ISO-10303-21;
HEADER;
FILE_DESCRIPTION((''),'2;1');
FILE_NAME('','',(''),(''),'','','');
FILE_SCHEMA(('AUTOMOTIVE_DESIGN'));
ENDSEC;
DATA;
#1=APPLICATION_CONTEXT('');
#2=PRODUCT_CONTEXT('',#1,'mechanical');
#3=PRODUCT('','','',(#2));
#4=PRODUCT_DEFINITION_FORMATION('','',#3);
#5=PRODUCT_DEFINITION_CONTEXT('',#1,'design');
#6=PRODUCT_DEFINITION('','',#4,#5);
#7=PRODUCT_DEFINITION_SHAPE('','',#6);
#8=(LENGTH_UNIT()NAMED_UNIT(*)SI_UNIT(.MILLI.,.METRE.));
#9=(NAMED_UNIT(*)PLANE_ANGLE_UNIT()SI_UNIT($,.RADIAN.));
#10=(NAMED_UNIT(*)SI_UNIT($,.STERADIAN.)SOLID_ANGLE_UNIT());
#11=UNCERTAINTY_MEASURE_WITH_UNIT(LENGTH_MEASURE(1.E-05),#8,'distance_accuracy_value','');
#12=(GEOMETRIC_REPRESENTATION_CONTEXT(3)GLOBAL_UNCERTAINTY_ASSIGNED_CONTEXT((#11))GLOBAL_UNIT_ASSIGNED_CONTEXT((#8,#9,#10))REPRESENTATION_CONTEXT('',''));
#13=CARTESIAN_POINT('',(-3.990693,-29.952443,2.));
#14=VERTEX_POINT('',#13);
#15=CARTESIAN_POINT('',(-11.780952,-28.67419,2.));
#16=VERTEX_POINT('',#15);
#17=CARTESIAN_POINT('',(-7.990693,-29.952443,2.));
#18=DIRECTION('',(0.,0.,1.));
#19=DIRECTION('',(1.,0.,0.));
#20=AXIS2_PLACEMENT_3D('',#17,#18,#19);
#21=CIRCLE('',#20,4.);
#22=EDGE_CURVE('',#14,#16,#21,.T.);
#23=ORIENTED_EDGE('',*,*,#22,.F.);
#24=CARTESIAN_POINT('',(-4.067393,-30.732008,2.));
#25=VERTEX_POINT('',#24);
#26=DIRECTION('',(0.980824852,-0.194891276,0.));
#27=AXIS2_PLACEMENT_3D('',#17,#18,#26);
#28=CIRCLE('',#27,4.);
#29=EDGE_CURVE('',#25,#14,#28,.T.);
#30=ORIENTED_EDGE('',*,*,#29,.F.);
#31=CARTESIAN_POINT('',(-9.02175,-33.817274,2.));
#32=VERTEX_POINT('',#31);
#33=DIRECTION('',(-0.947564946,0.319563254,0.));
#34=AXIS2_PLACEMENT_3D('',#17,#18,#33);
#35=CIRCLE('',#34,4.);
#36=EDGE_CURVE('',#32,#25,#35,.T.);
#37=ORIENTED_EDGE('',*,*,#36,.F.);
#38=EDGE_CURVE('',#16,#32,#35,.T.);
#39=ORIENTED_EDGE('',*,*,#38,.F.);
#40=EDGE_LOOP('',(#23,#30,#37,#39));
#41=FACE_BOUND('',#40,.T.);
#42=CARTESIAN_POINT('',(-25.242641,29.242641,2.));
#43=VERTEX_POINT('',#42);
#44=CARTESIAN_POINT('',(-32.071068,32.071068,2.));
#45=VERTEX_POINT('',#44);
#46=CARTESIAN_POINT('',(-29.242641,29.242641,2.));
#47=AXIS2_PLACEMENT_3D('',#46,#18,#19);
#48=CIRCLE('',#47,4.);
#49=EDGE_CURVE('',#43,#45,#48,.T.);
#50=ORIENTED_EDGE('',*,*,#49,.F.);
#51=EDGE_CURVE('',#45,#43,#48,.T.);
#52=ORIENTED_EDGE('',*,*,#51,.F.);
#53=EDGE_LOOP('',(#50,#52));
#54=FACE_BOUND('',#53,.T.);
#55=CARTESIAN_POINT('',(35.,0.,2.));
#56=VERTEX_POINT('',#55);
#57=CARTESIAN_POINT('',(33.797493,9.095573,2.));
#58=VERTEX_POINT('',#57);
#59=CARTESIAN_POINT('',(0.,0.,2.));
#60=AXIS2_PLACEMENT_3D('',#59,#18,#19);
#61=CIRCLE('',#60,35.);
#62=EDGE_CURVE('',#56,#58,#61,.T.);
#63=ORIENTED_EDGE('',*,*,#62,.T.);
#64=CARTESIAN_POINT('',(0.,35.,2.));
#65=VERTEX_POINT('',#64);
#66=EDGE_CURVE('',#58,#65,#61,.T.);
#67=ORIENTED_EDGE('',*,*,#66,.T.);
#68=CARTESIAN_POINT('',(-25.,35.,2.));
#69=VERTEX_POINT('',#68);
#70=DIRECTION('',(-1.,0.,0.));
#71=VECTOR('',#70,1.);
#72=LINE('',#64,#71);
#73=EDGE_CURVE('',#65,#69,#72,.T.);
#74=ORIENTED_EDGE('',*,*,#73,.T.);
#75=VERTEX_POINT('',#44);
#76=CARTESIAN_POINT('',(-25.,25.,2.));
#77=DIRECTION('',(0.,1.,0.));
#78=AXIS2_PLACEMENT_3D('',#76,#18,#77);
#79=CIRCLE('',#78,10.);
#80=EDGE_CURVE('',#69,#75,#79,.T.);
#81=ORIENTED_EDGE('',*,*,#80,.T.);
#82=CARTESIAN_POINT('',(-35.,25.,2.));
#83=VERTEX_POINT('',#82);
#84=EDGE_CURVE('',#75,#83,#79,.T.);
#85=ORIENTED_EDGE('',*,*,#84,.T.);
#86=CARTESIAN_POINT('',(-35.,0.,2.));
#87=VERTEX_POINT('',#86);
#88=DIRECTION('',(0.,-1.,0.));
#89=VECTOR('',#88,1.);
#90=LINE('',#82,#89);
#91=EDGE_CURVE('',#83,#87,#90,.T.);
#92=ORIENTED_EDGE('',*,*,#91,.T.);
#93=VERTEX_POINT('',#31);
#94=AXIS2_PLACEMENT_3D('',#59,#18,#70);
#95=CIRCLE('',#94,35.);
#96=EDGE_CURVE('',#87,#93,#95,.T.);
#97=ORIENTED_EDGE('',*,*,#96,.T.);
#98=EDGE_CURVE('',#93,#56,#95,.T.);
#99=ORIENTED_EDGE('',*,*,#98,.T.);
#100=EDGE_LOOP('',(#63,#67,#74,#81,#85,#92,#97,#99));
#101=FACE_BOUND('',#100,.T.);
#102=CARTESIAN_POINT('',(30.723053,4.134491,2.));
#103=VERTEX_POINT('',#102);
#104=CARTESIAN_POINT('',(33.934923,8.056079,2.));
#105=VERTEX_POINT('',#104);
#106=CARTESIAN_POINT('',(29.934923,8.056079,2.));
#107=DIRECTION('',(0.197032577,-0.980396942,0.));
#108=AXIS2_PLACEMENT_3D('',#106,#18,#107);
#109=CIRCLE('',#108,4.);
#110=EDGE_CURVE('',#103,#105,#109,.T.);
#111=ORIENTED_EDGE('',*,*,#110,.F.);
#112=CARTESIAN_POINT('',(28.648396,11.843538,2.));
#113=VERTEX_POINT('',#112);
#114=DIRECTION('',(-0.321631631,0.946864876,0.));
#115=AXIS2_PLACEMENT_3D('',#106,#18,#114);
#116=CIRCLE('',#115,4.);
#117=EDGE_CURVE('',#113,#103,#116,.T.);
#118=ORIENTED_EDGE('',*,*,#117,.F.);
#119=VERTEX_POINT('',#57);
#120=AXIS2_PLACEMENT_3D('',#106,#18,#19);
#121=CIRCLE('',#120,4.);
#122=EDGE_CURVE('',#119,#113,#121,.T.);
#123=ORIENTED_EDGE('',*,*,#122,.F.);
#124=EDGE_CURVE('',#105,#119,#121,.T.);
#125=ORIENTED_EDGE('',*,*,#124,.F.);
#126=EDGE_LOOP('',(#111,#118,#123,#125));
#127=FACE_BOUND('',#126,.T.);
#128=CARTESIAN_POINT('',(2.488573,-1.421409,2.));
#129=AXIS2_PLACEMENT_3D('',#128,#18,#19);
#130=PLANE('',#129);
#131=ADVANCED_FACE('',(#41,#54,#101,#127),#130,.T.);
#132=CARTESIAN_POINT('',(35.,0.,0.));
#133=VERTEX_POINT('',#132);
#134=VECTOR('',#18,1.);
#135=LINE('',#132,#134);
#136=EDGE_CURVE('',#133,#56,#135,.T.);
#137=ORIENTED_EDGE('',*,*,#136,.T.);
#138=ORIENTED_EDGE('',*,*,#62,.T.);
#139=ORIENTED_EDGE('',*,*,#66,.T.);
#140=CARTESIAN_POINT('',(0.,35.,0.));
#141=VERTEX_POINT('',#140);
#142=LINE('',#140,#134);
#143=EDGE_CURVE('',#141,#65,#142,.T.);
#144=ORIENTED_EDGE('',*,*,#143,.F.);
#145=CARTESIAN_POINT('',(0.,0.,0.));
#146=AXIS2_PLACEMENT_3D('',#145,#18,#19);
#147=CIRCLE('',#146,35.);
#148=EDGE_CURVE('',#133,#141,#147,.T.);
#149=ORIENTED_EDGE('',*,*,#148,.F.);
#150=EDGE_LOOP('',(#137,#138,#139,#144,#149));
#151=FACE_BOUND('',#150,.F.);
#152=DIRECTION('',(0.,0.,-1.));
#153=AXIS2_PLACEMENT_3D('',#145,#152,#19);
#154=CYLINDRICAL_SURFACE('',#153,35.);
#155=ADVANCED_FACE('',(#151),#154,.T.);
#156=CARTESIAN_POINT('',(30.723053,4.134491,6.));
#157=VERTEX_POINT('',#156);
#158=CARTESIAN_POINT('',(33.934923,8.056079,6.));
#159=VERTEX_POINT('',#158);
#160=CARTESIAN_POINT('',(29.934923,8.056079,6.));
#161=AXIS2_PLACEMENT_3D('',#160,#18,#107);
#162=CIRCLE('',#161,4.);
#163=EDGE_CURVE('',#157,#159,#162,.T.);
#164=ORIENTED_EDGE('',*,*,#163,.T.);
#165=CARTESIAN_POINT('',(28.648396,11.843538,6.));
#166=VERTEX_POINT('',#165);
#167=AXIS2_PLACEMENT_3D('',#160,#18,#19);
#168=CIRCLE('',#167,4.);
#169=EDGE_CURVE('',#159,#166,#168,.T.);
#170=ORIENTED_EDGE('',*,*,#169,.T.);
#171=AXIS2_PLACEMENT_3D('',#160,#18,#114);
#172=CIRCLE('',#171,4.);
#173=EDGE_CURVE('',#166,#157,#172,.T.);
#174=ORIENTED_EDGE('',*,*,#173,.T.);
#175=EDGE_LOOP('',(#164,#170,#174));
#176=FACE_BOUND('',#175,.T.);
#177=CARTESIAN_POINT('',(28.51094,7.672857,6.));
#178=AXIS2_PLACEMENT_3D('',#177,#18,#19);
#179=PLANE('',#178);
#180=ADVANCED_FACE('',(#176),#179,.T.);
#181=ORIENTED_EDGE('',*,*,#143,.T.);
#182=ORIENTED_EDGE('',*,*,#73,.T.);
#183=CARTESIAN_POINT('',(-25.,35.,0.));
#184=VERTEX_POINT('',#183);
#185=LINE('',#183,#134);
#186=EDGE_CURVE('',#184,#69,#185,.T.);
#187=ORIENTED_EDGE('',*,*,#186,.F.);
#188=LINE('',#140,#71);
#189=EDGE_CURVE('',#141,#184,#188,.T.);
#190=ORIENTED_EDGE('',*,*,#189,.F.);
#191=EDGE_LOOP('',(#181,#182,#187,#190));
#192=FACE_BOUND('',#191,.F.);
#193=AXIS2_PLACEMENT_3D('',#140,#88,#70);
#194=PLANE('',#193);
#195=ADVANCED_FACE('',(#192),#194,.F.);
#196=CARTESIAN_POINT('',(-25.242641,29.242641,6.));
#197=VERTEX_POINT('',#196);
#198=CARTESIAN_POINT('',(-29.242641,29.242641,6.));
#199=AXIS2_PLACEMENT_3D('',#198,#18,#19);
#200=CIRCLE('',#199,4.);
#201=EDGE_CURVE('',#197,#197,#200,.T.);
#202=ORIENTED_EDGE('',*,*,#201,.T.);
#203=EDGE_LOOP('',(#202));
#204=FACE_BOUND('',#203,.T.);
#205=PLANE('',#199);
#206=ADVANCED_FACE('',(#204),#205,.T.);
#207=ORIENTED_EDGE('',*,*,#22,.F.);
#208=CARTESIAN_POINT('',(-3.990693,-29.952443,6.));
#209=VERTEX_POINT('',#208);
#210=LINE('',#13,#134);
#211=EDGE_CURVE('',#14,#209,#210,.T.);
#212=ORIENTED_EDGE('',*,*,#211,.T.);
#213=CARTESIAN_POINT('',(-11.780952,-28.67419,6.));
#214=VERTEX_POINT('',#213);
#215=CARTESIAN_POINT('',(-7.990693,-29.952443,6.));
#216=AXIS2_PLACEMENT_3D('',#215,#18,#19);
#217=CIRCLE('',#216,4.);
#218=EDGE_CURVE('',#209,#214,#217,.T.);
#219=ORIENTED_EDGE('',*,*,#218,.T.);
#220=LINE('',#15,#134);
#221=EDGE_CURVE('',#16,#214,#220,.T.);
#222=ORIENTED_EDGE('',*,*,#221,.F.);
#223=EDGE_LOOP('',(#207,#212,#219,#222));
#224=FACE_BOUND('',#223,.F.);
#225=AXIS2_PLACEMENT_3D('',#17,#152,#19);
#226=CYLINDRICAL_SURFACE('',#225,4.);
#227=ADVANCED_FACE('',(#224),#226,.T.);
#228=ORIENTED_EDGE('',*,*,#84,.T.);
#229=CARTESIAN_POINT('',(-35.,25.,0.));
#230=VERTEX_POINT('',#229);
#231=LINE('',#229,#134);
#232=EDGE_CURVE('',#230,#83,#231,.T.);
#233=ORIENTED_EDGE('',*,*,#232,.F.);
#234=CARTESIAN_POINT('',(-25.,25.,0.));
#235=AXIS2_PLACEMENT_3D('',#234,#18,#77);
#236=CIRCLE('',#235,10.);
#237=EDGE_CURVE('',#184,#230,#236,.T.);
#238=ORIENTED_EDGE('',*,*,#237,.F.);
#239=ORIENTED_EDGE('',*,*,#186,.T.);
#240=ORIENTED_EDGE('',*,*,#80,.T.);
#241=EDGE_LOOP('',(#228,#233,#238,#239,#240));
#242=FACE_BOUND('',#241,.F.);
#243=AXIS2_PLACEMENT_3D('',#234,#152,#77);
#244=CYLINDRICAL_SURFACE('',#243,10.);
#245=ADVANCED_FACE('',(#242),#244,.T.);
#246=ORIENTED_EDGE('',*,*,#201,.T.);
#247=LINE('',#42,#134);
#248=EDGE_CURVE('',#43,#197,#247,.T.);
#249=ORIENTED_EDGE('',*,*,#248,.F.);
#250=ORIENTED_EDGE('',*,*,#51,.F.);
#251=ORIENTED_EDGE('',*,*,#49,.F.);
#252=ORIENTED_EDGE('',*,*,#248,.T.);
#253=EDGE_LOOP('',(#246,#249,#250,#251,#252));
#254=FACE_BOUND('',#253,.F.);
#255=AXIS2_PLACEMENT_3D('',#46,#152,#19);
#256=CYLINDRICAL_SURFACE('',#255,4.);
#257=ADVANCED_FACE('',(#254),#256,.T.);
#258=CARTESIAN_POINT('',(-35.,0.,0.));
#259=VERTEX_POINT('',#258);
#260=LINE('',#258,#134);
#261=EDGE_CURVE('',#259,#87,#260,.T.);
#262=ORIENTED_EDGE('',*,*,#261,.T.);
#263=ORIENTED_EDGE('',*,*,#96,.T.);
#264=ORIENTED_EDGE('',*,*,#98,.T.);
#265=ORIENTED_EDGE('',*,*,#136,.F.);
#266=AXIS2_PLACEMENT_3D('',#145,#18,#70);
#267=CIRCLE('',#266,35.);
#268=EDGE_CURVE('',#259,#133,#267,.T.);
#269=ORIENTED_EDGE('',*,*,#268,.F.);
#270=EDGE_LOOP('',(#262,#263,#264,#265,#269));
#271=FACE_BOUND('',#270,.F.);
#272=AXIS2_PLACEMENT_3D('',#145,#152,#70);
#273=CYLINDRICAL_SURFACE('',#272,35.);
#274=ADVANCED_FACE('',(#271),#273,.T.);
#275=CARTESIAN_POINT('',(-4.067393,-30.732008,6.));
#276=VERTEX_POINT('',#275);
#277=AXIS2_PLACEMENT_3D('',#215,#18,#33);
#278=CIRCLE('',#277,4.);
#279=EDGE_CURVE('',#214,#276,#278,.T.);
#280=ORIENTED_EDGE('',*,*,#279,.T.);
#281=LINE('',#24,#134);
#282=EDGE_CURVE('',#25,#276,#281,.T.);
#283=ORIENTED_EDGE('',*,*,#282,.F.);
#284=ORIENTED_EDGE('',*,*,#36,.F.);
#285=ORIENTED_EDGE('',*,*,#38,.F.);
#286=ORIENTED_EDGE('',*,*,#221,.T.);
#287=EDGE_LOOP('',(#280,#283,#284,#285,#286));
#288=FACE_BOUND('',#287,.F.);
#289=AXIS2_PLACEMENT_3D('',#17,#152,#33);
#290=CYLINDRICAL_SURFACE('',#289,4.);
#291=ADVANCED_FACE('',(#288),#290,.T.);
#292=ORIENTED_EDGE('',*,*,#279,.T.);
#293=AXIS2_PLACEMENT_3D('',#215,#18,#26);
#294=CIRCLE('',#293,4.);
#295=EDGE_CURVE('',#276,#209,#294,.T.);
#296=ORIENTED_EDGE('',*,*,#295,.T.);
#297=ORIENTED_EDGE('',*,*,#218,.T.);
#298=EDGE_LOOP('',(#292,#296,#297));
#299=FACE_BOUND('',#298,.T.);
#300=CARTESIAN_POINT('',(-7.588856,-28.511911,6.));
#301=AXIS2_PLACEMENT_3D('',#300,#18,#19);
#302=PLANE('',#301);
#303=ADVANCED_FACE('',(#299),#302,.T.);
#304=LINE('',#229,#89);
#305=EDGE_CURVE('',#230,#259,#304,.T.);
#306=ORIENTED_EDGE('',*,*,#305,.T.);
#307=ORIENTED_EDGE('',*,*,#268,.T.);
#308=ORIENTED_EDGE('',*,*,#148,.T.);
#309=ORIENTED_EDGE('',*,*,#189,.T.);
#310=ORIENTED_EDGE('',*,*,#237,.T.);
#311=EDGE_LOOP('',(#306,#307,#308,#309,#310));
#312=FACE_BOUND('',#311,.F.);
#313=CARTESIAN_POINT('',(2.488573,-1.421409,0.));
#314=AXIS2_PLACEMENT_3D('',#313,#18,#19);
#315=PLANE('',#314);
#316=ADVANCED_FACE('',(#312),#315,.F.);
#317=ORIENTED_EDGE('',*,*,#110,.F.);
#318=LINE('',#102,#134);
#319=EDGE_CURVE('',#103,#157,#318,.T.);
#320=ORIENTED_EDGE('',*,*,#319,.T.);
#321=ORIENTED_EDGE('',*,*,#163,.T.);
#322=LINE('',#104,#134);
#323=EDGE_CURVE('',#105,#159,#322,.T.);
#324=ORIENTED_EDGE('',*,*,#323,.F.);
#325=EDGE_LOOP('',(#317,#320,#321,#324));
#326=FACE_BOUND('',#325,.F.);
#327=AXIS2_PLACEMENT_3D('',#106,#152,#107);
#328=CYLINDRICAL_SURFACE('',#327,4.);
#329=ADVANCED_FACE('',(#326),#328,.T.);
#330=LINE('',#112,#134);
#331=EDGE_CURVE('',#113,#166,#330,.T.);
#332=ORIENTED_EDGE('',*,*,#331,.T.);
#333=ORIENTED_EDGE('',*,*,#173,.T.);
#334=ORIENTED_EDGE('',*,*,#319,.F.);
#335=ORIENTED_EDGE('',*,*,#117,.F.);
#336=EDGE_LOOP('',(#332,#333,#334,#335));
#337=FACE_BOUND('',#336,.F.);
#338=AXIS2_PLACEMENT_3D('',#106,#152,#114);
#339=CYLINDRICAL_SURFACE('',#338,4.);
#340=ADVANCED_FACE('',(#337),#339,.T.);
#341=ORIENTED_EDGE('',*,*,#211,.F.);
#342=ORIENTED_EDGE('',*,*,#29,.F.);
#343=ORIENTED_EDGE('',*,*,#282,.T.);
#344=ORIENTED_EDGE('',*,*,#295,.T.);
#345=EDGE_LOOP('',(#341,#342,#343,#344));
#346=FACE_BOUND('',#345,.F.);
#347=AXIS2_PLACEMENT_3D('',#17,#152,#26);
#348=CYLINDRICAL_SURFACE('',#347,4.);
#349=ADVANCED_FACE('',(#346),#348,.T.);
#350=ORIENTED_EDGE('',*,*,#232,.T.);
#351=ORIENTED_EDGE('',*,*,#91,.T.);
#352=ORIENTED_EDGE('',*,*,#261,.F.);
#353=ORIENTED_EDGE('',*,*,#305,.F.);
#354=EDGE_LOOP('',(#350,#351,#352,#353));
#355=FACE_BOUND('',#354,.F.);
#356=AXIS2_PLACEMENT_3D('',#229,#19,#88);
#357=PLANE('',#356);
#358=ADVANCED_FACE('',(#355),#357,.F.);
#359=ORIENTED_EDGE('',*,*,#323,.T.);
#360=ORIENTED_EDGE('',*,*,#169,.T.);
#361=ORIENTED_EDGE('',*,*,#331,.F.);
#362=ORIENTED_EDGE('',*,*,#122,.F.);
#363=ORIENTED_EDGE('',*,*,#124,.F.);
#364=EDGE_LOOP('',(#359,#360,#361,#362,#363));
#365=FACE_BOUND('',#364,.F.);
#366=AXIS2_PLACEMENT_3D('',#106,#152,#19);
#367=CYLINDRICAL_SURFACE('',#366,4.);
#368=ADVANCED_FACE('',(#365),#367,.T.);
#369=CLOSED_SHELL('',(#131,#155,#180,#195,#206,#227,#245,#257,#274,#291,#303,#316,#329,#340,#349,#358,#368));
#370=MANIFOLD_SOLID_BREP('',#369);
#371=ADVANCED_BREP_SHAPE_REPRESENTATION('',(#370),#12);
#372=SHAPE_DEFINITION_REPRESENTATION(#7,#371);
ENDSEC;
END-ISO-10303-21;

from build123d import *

# Parameters (mm, degrees)
F1_DEPTH = 2
F2_R     = 4
F3_DEPTH = 4


with BuildPart() as f1:
    # F0 (on Top) → F1 (new body)
    with BuildSketch(Plane.XY):
        with BuildLine():
            ThreePointArc((-35, 0), (0, -35), (35, 0))
            ThreePointArc((35, 0), (24.7487373415, 24.7487373415), (0, 35))
            Line((0, 35), (0, 0))
            Line((0, 0), (-35, 0))
        make_face()
        with BuildLine():
            Line((0, 0), (0, 35))
            ThreePointArc((0, 35), (-24.7487373415, 24.7487373415), (-35, 0))
            Line((-35, 0), (0, 0))
        make_face()
        with BuildLine():
            ThreePointArc((-35, 0), (-24.7487373415, 24.7487373415), (0, 35))
            Line((0, 35), (-25, 35))
            ThreePointArc((-25, 35), (-32.0710678119, 32.0710678119), (-35, 25))
            Line((-35, 25), (-35, 0))
        make_face()
    extrude(amount=F1_DEPTH)

    # F2 (on face) → F3 (join)
    with BuildSketch(Plane.XY.offset(2)):
        with BuildLine():
            ThreePointArc((-3.9906925033, -29.9524428606), (-7.343019412, -26.0052261745), (-11.7809522867, -28.6741898442))
            ThreePointArc((-11.7809522867, -28.6741898442), (-7.9906925033, -29.9524428606), (-4.0673930944, -30.7320079626))
            ThreePointArc((-4.0673930944, -30.7320079626), (-4.0099138335, -30.3441074904), (-3.9906925033, -29.9524428606))
        make_face()
        with BuildLine():
            ThreePointArc((28.6483961521, 11.8435382344), (26.0723520067, 7.0165846991), (30.7230529813, 4.134490961))
            ThreePointArc((30.7230529813, 4.134490961), (29.9349226743, 8.0560787286), (28.6483961521, 11.8435382344))
        make_face()
        with BuildLine():
            ThreePointArc((28.6483961521, 11.8435382344), (29.9349226743, 8.0560787286), (30.7230529813, 4.134490961))
            ThreePointArc((30.7230529813, 4.134490961), (33.0294760531, 5.5215690352), (33.9349226743, 8.0560787286))
            ThreePointArc((33.9349226743, 8.0560787286), (32.2645035284, 11.3077018686), (28.6483961521, 11.8435382344))
        make_face()
        with BuildLine():
            ThreePointArc((-4.0673930944, -30.7320079626), (-7.9906925033, -29.9524428606), (-11.7809522867, -28.6741898442))
            ThreePointArc((-11.7809522867, -28.6741898442), (-9.0217496005, -33.8172741975), (-4.0673930944, -30.7320079626))
        make_face()
        with Locations((-29.2426406871, 29.2426406871)):
            Circle(F2_R)
    extrude(amount=F3_DEPTH)


solid = f1.part
